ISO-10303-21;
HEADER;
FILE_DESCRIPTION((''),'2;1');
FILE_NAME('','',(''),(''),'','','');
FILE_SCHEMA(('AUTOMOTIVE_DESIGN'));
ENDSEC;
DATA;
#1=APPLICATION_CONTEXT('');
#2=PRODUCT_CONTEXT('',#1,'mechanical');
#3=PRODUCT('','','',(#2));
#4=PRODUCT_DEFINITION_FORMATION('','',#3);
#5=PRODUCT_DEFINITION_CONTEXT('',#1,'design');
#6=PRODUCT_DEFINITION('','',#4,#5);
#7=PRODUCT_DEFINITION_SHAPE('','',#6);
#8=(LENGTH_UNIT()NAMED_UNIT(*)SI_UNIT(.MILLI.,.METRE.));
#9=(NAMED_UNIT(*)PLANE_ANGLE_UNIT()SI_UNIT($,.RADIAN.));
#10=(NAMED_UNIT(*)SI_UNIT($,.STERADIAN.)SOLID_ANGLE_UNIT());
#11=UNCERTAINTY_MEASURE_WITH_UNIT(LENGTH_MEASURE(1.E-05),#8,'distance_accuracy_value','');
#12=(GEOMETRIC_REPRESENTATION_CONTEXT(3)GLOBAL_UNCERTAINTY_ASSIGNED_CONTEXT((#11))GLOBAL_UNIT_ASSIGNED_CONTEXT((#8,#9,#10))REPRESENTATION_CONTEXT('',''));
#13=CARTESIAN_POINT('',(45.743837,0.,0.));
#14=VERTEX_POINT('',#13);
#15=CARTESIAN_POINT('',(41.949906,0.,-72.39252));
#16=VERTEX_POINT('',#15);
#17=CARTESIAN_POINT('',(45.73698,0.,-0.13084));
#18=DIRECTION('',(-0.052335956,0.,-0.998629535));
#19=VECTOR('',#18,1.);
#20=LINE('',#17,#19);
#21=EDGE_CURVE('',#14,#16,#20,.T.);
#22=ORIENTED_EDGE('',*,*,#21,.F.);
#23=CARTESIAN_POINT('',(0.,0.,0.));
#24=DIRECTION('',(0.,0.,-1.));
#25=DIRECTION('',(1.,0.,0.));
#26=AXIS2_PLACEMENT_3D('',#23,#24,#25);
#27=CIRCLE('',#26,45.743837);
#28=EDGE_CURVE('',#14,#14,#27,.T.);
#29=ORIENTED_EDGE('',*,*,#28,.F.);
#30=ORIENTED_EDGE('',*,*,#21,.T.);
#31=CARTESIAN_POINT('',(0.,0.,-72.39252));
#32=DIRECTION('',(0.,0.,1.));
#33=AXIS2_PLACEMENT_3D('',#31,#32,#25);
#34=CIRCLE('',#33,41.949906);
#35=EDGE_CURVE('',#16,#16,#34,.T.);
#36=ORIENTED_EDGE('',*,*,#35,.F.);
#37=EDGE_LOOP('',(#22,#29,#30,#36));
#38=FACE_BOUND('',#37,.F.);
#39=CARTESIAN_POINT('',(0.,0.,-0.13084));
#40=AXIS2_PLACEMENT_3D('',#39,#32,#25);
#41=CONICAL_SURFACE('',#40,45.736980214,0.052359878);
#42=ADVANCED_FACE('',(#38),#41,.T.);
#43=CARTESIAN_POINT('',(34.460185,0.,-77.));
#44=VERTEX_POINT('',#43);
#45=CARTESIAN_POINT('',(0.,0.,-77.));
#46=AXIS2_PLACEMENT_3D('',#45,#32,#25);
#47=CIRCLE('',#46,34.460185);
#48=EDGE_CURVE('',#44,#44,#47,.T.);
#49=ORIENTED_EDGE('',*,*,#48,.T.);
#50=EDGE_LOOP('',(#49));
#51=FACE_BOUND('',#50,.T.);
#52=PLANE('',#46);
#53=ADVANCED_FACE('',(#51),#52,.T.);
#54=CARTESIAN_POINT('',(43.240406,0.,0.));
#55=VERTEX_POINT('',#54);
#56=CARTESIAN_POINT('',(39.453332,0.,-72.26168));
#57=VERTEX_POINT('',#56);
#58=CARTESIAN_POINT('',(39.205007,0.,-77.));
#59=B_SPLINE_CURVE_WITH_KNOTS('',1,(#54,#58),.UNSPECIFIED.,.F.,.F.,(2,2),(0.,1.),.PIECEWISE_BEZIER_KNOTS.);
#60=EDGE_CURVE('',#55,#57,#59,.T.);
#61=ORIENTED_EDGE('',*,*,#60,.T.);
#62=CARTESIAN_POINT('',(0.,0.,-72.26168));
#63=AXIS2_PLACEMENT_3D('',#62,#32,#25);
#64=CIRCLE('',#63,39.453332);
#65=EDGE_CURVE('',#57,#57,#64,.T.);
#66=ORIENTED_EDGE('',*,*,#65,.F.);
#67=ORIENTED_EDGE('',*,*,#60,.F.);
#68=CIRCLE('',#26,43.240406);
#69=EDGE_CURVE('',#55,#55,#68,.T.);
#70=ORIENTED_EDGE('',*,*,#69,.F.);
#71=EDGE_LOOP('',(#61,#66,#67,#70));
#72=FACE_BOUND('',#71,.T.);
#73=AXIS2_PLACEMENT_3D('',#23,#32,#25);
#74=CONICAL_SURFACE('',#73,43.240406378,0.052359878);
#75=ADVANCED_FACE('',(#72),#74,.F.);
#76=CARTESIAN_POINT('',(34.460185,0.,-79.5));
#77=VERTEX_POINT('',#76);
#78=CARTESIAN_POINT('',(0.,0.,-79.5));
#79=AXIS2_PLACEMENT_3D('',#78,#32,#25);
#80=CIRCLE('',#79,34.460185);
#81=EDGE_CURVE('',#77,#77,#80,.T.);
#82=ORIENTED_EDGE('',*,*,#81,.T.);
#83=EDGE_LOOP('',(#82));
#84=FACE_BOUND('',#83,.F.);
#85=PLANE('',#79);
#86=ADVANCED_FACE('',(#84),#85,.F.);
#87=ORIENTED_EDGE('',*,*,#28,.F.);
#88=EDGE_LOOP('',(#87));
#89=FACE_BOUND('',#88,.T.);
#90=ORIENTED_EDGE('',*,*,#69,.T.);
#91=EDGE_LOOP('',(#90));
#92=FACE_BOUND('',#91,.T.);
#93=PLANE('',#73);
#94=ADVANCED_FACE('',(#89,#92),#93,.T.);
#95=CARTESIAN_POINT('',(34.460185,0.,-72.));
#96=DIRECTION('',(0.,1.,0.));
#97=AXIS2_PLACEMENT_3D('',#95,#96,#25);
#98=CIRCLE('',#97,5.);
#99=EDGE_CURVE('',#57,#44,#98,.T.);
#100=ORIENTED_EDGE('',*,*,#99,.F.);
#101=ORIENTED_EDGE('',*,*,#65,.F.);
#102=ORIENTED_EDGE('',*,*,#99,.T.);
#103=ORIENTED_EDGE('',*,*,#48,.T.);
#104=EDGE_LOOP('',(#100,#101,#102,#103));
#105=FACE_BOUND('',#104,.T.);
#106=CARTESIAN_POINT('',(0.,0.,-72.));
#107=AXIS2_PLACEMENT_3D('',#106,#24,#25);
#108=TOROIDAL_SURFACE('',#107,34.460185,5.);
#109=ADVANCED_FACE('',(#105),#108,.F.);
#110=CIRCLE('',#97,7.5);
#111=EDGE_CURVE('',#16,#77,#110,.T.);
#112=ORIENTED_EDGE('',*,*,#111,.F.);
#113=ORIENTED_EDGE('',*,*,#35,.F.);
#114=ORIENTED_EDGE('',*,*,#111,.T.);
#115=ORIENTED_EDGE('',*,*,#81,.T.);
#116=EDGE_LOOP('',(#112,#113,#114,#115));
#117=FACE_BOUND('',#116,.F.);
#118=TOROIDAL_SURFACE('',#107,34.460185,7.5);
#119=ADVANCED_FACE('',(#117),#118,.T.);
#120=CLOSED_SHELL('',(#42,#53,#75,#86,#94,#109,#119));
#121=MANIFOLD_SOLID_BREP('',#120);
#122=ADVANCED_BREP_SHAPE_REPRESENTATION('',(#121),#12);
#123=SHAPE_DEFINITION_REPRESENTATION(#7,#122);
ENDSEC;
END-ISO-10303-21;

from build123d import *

# Parameters (mm, degrees)
F0_R     = 43.2404063775
F1_DEPTH = 77
F1_TAPER = 3
F2_R     = 5
F3_T     = 2.5


with BuildPart() as f1:
    # F0 (on Top) → F1 (new body)
    with BuildSketch(Plane.XY):
        Circle(F0_R)
    extrude(amount=-F1_DEPTH, taper=F1_TAPER)

    # F2
    f2_edges = [f1.edges().sort_by_distance(p)[0] for p in [
        (-39.205007, 0, -77),
    ]]
    fillet(f2_edges, radius=F2_R)

    # F3
    f3_openings = [f1.faces().sort_by_distance(p)[0] for p in [
        (0, 0, 0),
    ]]
    offset(amount=F3_T, openings=f3_openings, kind=Kind.INTERSECTION)


solid = f1.part
